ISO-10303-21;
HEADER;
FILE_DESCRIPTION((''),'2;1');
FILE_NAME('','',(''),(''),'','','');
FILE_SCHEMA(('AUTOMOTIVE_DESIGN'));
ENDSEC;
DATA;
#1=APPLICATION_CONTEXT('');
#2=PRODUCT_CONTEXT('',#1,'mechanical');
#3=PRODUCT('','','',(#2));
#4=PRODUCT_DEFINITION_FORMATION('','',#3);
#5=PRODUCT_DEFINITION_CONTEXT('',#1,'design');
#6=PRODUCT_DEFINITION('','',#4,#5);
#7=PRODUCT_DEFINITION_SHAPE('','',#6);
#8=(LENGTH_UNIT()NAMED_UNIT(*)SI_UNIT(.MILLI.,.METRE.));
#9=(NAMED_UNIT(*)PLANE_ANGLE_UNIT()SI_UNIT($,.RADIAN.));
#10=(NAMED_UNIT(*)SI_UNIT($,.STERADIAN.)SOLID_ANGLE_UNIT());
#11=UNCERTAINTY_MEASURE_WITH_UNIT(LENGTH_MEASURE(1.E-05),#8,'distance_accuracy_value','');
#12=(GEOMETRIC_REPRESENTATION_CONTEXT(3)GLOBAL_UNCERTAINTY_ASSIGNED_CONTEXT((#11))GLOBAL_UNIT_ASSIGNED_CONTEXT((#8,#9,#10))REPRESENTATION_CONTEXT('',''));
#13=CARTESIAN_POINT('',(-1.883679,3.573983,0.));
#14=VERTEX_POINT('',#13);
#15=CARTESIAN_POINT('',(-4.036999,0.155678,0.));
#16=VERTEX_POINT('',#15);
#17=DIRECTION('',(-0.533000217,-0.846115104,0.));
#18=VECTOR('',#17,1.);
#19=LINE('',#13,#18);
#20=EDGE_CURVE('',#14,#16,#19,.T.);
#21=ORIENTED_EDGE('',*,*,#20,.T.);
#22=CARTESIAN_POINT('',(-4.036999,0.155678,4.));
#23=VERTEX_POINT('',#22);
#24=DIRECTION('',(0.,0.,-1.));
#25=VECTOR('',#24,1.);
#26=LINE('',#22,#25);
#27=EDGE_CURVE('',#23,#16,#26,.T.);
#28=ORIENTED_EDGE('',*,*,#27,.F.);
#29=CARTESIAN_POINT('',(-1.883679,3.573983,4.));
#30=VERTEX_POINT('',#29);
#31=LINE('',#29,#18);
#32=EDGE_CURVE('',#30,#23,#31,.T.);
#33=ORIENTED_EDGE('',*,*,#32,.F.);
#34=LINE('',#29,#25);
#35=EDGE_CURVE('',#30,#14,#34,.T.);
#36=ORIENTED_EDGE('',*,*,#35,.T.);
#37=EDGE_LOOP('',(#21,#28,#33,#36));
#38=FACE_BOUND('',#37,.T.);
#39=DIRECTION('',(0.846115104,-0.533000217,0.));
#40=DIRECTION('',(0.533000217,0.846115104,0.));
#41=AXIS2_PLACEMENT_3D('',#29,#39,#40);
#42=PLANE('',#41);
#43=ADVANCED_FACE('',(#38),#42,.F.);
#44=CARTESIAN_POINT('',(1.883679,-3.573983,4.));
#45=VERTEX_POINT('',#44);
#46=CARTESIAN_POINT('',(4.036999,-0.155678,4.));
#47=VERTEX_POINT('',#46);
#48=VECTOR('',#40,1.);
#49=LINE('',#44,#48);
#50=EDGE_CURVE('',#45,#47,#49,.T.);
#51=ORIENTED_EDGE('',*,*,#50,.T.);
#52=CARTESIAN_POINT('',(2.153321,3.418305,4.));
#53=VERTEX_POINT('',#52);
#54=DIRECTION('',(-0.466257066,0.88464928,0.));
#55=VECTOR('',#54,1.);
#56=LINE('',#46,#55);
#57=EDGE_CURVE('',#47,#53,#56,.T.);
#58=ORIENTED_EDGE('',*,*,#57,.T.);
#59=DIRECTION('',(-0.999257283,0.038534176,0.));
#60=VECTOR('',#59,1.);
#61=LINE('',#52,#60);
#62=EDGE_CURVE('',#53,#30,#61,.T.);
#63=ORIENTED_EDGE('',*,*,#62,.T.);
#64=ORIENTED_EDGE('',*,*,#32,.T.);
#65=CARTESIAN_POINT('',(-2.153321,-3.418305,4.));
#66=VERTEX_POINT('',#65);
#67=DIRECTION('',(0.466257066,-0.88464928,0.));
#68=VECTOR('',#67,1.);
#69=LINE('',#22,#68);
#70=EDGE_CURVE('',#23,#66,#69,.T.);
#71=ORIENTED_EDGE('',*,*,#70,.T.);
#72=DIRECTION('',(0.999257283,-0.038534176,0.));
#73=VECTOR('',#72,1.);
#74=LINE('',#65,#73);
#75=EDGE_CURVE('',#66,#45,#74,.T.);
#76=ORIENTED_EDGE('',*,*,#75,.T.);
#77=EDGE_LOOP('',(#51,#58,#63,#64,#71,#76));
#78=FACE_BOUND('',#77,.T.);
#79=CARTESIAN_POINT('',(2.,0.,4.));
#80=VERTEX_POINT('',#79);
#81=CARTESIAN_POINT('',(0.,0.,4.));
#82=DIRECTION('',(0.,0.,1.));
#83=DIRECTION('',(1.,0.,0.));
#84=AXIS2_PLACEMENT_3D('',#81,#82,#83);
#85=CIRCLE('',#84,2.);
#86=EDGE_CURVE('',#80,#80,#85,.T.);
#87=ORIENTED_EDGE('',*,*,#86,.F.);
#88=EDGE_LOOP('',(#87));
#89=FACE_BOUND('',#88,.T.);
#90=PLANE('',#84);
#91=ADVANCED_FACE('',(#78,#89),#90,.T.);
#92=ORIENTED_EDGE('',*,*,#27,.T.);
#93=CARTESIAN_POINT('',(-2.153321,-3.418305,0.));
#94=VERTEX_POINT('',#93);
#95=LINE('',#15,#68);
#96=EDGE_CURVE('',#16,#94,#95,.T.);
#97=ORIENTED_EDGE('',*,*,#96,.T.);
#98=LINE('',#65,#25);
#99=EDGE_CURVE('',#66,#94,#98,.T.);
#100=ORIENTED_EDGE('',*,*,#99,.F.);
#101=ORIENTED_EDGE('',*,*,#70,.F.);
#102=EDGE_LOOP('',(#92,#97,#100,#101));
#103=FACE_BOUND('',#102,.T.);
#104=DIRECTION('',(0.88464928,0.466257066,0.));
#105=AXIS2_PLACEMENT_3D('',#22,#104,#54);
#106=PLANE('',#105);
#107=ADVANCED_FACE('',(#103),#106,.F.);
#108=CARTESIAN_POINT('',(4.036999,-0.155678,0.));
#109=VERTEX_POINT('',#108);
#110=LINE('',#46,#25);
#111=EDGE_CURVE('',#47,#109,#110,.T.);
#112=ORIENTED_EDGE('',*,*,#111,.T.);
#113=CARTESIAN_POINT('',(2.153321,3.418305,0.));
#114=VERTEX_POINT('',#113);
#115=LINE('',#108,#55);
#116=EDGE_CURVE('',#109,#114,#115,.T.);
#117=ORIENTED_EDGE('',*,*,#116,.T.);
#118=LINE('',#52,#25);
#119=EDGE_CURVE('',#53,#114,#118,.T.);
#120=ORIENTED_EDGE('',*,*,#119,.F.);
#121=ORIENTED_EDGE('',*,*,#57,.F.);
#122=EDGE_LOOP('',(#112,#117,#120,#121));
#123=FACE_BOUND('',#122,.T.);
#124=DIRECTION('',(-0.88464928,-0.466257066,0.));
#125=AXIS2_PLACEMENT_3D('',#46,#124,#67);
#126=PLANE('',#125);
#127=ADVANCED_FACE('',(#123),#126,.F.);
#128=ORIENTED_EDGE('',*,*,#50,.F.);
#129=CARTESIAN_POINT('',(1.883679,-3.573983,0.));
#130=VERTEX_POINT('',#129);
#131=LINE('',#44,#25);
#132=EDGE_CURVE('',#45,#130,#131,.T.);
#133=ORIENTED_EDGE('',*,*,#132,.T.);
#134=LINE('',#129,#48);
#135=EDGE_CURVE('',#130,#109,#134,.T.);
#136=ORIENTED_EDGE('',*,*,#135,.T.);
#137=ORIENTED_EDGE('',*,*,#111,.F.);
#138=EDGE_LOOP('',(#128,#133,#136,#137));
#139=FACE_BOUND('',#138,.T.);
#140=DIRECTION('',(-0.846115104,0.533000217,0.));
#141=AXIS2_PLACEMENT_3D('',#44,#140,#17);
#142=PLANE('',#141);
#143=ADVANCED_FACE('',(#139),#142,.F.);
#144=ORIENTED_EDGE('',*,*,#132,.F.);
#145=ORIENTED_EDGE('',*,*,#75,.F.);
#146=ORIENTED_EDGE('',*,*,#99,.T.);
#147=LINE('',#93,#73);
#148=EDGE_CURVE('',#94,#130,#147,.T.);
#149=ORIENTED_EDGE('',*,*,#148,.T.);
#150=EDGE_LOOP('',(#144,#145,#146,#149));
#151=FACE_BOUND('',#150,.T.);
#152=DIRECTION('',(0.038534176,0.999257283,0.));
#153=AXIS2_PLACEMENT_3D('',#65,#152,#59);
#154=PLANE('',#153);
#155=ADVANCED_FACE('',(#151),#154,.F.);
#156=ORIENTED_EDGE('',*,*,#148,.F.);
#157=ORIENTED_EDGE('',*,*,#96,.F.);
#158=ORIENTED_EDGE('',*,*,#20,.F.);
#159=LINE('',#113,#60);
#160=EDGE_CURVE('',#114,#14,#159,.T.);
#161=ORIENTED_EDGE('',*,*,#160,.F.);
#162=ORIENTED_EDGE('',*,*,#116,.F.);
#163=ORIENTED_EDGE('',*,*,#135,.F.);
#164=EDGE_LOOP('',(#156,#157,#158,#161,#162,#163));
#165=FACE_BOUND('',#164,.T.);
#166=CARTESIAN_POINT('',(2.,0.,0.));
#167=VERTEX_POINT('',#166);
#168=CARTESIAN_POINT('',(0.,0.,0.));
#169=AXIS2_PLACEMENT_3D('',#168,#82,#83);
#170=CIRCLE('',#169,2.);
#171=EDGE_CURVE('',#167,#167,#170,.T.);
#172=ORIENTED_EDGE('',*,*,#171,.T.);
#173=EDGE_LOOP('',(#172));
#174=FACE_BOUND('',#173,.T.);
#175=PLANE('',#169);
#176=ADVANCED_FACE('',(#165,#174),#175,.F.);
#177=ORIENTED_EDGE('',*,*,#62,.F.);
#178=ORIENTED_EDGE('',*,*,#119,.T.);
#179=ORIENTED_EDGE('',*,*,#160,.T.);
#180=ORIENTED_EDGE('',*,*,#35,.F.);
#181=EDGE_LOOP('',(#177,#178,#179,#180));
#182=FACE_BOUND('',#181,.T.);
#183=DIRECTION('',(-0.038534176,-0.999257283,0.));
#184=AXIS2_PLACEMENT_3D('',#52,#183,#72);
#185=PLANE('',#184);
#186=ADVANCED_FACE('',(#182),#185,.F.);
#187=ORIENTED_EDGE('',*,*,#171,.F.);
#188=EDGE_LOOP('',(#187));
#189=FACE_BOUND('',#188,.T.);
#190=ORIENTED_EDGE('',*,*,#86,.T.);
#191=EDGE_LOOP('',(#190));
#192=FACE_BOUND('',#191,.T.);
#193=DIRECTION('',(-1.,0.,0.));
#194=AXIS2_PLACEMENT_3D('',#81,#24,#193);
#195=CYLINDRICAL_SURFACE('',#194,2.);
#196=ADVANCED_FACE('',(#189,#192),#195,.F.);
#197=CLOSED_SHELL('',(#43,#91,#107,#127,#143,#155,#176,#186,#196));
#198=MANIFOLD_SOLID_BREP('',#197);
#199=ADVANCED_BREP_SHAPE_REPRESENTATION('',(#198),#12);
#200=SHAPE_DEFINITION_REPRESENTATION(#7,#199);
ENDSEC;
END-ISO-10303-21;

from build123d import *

# Parameters (mm, degrees)
SKETCH1_R           = 2
BOSS_EXTRUDE1_DEPTH = 4


with BuildPart() as part:
    # Sketch1 → Boss-Extrude1 (new body)
    with BuildSketch(Plane.XY):
        Polygon((-2.153320876, -3.418305019), (1.883678547, -3.573983091), (4.036999423, -0.155678071), (2.153320876, 3.418305019), (-1.883678547, 3.573983091), (-4.036999423, 0.155678071), align=None)
        Circle(SKETCH1_R, mode=Mode.SUBTRACT)
    extrude(amount=BOSS_EXTRUDE1_DEPTH)


solid = part.part
